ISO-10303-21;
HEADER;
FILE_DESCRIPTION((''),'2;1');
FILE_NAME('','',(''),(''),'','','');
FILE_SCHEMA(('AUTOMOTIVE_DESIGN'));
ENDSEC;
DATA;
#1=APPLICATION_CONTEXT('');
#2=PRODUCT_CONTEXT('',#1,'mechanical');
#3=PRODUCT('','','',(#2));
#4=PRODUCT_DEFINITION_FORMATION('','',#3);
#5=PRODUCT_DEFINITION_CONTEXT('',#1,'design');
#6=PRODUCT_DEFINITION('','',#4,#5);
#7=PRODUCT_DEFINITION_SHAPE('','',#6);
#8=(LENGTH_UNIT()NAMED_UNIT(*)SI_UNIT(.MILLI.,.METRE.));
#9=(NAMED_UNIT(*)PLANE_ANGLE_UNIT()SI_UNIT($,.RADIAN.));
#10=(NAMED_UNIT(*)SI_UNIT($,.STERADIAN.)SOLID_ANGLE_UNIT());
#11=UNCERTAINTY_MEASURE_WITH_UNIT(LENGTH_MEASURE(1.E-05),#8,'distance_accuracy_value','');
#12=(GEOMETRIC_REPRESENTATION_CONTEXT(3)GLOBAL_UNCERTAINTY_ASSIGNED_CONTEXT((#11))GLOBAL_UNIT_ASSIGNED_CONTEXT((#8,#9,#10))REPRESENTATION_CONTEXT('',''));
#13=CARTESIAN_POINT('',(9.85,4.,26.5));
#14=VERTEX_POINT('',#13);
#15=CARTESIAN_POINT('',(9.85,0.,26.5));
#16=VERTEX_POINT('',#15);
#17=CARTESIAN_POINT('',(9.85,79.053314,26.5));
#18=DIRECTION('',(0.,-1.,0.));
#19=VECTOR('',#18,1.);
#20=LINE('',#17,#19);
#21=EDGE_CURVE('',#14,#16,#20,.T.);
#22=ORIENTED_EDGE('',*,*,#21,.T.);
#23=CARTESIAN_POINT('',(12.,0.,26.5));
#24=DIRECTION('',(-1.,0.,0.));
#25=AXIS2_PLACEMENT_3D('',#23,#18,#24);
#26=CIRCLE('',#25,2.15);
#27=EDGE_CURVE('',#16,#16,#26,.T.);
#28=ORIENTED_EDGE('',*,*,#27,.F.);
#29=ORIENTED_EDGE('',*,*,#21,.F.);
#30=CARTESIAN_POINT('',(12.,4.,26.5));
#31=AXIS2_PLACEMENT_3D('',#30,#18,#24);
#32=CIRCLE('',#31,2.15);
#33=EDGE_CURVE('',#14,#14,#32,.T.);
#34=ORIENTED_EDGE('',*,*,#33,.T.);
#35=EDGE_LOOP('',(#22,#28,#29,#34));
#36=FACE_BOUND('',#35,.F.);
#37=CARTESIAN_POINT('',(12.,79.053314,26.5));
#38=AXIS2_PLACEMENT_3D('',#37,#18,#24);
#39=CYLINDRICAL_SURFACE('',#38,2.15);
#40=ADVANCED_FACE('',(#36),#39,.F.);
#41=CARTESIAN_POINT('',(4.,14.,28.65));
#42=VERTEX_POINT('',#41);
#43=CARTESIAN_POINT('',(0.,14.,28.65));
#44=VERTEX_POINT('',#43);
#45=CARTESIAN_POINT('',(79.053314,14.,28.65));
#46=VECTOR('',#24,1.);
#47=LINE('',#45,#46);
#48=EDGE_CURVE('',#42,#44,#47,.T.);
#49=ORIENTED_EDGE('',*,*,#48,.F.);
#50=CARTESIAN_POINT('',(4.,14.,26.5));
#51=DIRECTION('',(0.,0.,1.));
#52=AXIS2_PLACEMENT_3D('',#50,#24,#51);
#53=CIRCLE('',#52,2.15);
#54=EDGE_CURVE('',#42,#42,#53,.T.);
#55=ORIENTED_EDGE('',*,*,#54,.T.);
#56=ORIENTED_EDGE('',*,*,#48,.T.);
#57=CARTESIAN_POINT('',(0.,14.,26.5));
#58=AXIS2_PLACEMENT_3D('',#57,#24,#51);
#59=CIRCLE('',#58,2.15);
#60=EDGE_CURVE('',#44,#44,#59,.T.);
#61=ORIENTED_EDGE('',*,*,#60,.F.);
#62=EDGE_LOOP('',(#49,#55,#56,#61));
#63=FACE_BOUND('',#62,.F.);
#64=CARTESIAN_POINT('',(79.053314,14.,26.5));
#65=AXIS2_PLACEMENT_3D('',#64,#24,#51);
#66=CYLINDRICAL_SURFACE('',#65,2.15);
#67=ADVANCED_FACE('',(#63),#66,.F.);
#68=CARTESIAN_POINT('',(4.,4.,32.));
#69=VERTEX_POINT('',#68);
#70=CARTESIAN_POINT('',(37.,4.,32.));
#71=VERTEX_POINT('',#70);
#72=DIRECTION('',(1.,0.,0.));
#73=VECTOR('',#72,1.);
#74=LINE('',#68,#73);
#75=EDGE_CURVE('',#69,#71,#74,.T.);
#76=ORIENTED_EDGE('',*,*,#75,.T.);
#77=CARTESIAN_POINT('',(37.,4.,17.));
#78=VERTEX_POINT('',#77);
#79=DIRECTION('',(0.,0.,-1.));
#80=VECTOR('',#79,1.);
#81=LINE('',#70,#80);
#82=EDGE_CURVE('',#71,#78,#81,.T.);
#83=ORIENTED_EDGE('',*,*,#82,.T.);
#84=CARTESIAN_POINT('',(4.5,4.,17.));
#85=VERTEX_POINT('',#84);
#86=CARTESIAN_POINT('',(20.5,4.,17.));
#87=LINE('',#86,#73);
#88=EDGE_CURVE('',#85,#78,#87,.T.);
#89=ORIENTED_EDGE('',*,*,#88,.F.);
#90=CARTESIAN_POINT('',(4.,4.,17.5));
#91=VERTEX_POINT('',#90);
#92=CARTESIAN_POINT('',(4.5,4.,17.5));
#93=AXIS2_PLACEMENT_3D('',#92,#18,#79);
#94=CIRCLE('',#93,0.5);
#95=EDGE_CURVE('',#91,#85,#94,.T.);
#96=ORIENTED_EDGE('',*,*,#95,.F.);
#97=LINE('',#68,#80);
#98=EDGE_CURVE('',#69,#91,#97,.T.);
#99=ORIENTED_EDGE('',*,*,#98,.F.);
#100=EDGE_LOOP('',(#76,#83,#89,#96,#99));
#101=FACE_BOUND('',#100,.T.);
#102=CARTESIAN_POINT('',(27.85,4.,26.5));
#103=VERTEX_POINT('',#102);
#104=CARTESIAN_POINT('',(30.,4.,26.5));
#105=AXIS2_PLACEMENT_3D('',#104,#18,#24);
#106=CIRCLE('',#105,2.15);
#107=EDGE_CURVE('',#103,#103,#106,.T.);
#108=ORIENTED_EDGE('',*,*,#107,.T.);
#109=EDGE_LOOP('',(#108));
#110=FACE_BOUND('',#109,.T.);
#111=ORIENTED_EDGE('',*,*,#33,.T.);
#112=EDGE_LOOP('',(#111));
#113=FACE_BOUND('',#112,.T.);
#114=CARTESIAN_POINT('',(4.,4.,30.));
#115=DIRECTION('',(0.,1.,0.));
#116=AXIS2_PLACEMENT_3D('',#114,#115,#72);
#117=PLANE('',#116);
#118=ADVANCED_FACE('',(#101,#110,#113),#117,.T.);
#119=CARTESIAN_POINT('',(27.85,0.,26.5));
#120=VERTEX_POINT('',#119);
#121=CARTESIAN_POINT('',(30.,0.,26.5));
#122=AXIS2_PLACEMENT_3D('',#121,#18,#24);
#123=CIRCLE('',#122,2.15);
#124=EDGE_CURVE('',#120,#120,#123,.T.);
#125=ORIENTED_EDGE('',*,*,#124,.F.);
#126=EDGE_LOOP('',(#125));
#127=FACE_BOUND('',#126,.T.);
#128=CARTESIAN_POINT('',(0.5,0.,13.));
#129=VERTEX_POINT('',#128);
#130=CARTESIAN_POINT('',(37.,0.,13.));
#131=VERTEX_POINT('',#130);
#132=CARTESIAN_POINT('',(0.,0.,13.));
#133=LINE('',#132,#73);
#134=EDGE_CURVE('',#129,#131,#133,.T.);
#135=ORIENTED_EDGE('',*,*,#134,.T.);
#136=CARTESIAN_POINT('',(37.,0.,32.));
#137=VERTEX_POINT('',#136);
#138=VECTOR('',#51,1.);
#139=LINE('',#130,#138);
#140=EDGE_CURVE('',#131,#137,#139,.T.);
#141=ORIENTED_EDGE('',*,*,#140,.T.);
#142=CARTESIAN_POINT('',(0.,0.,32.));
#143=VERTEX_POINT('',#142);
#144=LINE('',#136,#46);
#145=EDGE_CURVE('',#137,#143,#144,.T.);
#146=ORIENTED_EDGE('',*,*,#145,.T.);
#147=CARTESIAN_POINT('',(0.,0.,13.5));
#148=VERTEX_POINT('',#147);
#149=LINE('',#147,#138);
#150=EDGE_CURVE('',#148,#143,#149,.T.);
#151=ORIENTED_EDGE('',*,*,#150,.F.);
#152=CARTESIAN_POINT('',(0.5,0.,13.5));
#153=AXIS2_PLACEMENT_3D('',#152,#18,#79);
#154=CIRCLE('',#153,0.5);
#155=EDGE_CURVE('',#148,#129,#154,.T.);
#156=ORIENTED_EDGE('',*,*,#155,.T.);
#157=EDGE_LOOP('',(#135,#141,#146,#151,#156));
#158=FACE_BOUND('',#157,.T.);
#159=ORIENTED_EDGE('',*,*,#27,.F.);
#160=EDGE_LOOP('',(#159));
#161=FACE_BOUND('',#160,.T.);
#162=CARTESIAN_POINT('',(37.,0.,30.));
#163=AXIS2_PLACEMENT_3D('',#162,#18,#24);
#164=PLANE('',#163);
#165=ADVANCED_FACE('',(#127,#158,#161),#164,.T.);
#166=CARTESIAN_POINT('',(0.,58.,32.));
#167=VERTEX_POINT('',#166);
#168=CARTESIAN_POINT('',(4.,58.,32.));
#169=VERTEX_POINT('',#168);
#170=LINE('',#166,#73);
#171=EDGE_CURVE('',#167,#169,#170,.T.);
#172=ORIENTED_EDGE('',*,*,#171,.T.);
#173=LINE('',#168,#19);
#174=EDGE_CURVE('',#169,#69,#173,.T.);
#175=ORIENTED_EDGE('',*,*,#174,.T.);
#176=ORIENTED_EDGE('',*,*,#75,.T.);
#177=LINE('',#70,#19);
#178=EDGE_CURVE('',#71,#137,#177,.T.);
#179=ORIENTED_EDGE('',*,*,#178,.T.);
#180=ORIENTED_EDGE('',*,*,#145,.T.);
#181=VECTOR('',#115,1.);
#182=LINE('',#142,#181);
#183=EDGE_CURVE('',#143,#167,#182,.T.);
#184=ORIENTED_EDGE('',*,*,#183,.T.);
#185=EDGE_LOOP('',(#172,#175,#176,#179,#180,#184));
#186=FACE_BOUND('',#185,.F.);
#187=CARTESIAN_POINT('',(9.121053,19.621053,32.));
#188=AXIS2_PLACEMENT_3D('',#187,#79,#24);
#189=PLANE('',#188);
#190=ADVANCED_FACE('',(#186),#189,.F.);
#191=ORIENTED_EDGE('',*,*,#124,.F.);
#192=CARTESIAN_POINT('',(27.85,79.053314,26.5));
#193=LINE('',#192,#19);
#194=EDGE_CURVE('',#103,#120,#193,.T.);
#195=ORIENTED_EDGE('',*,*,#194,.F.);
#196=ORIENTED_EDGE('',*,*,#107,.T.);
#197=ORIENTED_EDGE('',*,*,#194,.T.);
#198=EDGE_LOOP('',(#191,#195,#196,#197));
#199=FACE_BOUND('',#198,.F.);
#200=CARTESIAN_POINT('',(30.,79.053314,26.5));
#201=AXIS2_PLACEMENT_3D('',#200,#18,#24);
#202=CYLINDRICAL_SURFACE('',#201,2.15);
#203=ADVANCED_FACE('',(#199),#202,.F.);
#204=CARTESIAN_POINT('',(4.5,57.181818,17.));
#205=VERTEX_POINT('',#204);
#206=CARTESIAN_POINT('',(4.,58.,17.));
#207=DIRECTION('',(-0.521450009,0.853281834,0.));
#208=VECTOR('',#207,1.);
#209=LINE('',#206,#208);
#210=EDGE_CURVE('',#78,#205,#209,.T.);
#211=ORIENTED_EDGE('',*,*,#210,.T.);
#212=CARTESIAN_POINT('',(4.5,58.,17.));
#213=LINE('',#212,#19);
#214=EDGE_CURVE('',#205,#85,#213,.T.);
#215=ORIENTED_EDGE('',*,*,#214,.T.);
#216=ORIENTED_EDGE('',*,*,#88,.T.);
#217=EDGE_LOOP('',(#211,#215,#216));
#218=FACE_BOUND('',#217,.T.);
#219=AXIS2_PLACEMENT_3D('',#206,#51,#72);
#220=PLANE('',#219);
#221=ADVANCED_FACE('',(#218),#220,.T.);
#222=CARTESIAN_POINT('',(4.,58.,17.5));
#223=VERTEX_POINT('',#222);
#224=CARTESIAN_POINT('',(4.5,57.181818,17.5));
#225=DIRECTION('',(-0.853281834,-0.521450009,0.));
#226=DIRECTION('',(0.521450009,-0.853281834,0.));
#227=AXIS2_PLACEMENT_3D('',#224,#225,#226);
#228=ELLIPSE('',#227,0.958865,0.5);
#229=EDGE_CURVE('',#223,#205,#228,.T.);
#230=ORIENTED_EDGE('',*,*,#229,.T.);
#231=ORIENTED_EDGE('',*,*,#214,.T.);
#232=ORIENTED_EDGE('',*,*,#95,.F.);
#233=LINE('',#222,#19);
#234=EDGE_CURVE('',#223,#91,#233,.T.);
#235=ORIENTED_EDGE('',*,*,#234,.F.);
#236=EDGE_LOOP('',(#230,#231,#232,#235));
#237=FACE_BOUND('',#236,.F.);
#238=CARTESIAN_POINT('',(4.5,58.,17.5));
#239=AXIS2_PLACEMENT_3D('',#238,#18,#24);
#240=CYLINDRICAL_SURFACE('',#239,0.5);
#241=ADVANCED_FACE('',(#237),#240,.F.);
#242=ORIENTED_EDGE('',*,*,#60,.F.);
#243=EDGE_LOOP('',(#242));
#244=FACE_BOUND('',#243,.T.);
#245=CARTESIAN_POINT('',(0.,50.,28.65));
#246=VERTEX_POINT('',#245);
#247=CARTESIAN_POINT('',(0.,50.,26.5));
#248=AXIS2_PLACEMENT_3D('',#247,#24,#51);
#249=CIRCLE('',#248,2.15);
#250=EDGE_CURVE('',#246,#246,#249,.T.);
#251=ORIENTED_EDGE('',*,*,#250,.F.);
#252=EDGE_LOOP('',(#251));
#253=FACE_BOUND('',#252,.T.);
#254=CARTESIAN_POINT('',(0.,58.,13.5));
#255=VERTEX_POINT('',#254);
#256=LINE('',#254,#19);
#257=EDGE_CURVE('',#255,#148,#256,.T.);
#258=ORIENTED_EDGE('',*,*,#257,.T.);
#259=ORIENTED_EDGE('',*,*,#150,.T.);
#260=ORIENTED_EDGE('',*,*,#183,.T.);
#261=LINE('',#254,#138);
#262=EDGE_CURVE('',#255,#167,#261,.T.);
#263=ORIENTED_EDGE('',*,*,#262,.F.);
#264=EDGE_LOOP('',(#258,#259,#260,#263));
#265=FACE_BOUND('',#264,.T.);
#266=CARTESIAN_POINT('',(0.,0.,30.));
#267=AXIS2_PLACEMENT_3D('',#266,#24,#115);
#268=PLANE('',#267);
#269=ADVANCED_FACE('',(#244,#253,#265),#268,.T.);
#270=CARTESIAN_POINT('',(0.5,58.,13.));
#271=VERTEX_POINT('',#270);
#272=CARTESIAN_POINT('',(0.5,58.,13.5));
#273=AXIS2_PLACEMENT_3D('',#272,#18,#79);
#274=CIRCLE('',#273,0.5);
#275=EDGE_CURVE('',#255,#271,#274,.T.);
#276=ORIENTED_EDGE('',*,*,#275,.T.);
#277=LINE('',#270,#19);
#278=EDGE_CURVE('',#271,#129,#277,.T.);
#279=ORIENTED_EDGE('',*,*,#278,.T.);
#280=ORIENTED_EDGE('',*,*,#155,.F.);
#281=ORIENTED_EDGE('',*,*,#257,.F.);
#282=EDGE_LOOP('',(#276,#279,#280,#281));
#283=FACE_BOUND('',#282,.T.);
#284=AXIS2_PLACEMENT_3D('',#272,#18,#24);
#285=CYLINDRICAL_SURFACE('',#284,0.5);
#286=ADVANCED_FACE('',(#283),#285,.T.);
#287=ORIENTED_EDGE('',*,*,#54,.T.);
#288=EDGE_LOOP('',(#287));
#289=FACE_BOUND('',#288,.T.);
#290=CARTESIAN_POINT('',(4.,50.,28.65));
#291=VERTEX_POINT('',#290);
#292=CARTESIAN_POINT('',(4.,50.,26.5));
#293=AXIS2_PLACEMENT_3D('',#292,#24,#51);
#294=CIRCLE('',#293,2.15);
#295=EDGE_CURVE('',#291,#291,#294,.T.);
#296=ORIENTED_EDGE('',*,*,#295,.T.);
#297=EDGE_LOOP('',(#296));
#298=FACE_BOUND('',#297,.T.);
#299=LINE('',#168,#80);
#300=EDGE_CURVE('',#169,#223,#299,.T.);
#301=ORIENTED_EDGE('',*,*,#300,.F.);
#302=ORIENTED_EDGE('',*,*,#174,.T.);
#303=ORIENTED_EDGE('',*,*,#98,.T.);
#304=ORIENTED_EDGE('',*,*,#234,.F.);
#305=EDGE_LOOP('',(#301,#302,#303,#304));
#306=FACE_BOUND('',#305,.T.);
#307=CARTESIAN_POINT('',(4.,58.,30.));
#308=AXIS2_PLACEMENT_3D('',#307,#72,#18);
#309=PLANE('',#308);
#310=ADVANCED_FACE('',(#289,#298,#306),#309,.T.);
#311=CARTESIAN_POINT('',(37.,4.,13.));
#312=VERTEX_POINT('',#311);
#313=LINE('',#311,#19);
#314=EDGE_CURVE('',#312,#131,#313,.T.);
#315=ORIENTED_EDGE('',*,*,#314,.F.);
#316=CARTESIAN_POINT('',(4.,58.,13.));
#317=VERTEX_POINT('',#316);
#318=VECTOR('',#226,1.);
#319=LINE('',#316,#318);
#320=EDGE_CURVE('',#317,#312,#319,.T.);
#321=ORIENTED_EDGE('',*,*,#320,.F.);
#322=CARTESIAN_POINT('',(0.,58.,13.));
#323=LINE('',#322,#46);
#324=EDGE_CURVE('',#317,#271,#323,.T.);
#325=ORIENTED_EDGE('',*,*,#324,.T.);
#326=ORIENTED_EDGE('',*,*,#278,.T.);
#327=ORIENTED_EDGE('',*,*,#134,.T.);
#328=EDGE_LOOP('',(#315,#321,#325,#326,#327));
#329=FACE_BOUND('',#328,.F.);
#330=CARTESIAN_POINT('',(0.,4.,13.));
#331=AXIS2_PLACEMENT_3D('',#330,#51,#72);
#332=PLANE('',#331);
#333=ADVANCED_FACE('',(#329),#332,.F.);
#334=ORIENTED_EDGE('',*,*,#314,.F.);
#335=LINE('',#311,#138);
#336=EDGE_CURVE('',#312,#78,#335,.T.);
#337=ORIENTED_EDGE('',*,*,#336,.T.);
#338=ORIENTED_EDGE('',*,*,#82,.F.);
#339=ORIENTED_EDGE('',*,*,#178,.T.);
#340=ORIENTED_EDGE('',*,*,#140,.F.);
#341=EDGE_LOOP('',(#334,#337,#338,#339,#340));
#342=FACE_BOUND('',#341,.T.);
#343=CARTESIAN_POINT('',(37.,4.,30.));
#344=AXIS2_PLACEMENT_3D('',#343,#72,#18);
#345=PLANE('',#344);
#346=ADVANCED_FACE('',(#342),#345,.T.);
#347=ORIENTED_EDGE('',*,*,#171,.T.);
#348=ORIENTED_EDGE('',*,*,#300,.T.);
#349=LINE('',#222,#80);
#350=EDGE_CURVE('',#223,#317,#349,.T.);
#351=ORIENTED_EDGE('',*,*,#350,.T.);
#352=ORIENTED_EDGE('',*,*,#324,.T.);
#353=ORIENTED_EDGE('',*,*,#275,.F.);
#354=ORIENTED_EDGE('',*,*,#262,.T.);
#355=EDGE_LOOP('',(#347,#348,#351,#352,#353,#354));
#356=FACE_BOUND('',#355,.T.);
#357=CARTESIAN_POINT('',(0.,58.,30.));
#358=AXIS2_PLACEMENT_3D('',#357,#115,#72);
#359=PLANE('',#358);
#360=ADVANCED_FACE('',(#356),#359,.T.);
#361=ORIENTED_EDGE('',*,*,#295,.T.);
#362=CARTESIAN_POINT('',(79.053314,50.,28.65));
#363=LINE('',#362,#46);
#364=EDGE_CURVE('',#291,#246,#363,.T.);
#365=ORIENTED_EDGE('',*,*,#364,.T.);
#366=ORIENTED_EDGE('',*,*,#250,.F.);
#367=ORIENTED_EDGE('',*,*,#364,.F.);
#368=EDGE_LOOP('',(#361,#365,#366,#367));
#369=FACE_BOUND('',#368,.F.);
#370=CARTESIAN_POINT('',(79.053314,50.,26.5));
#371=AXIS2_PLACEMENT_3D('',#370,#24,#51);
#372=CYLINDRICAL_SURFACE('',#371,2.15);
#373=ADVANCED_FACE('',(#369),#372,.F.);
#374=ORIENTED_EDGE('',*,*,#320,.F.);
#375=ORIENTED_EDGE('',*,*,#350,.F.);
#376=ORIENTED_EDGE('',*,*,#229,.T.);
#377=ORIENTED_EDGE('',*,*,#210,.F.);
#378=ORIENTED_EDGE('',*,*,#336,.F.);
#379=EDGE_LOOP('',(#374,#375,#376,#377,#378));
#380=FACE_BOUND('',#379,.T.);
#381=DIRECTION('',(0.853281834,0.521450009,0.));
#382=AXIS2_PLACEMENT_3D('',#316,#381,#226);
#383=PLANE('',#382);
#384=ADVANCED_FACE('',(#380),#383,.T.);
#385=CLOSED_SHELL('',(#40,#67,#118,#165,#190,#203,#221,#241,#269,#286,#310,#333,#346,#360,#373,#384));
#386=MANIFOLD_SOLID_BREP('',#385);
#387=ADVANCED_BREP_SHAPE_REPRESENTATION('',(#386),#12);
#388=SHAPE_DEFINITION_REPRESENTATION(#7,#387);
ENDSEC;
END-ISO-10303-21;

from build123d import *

# Parameters (mm, degrees)
SKETCH1_W               = 37
SKETCH1_H               = 58
BOSS_EXTRUDE1_DEPTH     = 30
SKETCH2_W               = 33
SKETCH2_H               = 13
CUT_EXTRUDE1_DEPTH      = 54
CUT_EXTRUDE2_DEPTH      = 46
M4_CLEARANCE_HOLE1_D    = 4.3
M4_CLEARANCE_HOLE2_D    = 4.3
SKETCH8_W               = 37
SKETCH8_H               = 13
CUT_EXTRUDE3_DEPTH      = 55
CUT_EXTRUDE3_DEPTH_BACK = 10
FILLET1_R               = 0.5
BOSS_EXTRUDE2_DEPTH     = 2


with BuildPart() as part:
    # Sketch1 → Boss-Extrude1 (new body)
    with BuildSketch(Plane.XY):
        with Locations((18.5, 29)):
            Rectangle(SKETCH1_W, SKETCH1_H)
    extrude(amount=BOSS_EXTRUDE1_DEPTH)

    # Sketch2 → Cut-Extrude1 (cut)
    with BuildSketch(Plane(origin=(0, 58, 0), x_dir=(1, 0, 0), z_dir=(0, 1, 0))):
        with Locations((20.5, -6.5)):
            Rectangle(SKETCH2_W, SKETCH2_H)
        with Locations((20.5, -23.5)):
            Rectangle(SKETCH2_W, SKETCH2_H)
    extrude(amount=-CUT_EXTRUDE1_DEPTH, mode=Mode.SUBTRACT)

    # Sketch3 → Cut-Extrude2 (cut)
    with BuildSketch(Plane.XY.offset(13)):
        Polygon((4, 58), (37, 4), (37, 58), align=None)
    extrude(amount=CUT_EXTRUDE2_DEPTH, mode=Mode.SUBTRACT)

    # M4 Clearance Hole1 (through all)
    with Locations(Plane(origin=(4, 0, 0), x_dir=(0, 0, -1), z_dir=(1, 0, 0))):
        with Locations((-26.5, 14), (-26.5, 50)):
            Hole(M4_CLEARANCE_HOLE1_D / 2)

    # M4 Clearance Hole2 (through all)
    with Locations(Plane(origin=(0, 4, 0), x_dir=(1, 0, 0), z_dir=(0, 1, 0))):
        with Locations((12, -26.5), (30, -26.5)):
            Hole(M4_CLEARANCE_HOLE2_D / 2)

    # Sketch8 → Cut-Extrude3 (cut, two sides)
    with BuildSketch(Plane(origin=(0, 4, 0), x_dir=(1, 0, 0), z_dir=(0, 1, 0))) as cut_extrude3_sk:
        with Locations((18.5, -6.5)):
            Rectangle(SKETCH8_W, SKETCH8_H)
    extrude(amount=CUT_EXTRUDE3_DEPTH, mode=Mode.SUBTRACT)
    extrude(cut_extrude3_sk.sketch, amount=-CUT_EXTRUDE3_DEPTH_BACK, mode=Mode.SUBTRACT)

    # Fillet1
    fillet1_edges = [part.edges().sort_by_distance(p)[0] for p in [
        (4, 31, 17),
        (0, 29, 13),
    ]]
    fillet(fillet1_edges, radius=FILLET1_R)

    # Sketch9 → Boss-Extrude2 (add)
    with BuildSketch(Plane.XY.offset(30)):
        Polygon((0, 58), (4, 58), (4, 4), (37, 4), (37, 0), (0, 0), align=None)
    extrude(amount=BOSS_EXTRUDE2_DEPTH)


solid = part.part
